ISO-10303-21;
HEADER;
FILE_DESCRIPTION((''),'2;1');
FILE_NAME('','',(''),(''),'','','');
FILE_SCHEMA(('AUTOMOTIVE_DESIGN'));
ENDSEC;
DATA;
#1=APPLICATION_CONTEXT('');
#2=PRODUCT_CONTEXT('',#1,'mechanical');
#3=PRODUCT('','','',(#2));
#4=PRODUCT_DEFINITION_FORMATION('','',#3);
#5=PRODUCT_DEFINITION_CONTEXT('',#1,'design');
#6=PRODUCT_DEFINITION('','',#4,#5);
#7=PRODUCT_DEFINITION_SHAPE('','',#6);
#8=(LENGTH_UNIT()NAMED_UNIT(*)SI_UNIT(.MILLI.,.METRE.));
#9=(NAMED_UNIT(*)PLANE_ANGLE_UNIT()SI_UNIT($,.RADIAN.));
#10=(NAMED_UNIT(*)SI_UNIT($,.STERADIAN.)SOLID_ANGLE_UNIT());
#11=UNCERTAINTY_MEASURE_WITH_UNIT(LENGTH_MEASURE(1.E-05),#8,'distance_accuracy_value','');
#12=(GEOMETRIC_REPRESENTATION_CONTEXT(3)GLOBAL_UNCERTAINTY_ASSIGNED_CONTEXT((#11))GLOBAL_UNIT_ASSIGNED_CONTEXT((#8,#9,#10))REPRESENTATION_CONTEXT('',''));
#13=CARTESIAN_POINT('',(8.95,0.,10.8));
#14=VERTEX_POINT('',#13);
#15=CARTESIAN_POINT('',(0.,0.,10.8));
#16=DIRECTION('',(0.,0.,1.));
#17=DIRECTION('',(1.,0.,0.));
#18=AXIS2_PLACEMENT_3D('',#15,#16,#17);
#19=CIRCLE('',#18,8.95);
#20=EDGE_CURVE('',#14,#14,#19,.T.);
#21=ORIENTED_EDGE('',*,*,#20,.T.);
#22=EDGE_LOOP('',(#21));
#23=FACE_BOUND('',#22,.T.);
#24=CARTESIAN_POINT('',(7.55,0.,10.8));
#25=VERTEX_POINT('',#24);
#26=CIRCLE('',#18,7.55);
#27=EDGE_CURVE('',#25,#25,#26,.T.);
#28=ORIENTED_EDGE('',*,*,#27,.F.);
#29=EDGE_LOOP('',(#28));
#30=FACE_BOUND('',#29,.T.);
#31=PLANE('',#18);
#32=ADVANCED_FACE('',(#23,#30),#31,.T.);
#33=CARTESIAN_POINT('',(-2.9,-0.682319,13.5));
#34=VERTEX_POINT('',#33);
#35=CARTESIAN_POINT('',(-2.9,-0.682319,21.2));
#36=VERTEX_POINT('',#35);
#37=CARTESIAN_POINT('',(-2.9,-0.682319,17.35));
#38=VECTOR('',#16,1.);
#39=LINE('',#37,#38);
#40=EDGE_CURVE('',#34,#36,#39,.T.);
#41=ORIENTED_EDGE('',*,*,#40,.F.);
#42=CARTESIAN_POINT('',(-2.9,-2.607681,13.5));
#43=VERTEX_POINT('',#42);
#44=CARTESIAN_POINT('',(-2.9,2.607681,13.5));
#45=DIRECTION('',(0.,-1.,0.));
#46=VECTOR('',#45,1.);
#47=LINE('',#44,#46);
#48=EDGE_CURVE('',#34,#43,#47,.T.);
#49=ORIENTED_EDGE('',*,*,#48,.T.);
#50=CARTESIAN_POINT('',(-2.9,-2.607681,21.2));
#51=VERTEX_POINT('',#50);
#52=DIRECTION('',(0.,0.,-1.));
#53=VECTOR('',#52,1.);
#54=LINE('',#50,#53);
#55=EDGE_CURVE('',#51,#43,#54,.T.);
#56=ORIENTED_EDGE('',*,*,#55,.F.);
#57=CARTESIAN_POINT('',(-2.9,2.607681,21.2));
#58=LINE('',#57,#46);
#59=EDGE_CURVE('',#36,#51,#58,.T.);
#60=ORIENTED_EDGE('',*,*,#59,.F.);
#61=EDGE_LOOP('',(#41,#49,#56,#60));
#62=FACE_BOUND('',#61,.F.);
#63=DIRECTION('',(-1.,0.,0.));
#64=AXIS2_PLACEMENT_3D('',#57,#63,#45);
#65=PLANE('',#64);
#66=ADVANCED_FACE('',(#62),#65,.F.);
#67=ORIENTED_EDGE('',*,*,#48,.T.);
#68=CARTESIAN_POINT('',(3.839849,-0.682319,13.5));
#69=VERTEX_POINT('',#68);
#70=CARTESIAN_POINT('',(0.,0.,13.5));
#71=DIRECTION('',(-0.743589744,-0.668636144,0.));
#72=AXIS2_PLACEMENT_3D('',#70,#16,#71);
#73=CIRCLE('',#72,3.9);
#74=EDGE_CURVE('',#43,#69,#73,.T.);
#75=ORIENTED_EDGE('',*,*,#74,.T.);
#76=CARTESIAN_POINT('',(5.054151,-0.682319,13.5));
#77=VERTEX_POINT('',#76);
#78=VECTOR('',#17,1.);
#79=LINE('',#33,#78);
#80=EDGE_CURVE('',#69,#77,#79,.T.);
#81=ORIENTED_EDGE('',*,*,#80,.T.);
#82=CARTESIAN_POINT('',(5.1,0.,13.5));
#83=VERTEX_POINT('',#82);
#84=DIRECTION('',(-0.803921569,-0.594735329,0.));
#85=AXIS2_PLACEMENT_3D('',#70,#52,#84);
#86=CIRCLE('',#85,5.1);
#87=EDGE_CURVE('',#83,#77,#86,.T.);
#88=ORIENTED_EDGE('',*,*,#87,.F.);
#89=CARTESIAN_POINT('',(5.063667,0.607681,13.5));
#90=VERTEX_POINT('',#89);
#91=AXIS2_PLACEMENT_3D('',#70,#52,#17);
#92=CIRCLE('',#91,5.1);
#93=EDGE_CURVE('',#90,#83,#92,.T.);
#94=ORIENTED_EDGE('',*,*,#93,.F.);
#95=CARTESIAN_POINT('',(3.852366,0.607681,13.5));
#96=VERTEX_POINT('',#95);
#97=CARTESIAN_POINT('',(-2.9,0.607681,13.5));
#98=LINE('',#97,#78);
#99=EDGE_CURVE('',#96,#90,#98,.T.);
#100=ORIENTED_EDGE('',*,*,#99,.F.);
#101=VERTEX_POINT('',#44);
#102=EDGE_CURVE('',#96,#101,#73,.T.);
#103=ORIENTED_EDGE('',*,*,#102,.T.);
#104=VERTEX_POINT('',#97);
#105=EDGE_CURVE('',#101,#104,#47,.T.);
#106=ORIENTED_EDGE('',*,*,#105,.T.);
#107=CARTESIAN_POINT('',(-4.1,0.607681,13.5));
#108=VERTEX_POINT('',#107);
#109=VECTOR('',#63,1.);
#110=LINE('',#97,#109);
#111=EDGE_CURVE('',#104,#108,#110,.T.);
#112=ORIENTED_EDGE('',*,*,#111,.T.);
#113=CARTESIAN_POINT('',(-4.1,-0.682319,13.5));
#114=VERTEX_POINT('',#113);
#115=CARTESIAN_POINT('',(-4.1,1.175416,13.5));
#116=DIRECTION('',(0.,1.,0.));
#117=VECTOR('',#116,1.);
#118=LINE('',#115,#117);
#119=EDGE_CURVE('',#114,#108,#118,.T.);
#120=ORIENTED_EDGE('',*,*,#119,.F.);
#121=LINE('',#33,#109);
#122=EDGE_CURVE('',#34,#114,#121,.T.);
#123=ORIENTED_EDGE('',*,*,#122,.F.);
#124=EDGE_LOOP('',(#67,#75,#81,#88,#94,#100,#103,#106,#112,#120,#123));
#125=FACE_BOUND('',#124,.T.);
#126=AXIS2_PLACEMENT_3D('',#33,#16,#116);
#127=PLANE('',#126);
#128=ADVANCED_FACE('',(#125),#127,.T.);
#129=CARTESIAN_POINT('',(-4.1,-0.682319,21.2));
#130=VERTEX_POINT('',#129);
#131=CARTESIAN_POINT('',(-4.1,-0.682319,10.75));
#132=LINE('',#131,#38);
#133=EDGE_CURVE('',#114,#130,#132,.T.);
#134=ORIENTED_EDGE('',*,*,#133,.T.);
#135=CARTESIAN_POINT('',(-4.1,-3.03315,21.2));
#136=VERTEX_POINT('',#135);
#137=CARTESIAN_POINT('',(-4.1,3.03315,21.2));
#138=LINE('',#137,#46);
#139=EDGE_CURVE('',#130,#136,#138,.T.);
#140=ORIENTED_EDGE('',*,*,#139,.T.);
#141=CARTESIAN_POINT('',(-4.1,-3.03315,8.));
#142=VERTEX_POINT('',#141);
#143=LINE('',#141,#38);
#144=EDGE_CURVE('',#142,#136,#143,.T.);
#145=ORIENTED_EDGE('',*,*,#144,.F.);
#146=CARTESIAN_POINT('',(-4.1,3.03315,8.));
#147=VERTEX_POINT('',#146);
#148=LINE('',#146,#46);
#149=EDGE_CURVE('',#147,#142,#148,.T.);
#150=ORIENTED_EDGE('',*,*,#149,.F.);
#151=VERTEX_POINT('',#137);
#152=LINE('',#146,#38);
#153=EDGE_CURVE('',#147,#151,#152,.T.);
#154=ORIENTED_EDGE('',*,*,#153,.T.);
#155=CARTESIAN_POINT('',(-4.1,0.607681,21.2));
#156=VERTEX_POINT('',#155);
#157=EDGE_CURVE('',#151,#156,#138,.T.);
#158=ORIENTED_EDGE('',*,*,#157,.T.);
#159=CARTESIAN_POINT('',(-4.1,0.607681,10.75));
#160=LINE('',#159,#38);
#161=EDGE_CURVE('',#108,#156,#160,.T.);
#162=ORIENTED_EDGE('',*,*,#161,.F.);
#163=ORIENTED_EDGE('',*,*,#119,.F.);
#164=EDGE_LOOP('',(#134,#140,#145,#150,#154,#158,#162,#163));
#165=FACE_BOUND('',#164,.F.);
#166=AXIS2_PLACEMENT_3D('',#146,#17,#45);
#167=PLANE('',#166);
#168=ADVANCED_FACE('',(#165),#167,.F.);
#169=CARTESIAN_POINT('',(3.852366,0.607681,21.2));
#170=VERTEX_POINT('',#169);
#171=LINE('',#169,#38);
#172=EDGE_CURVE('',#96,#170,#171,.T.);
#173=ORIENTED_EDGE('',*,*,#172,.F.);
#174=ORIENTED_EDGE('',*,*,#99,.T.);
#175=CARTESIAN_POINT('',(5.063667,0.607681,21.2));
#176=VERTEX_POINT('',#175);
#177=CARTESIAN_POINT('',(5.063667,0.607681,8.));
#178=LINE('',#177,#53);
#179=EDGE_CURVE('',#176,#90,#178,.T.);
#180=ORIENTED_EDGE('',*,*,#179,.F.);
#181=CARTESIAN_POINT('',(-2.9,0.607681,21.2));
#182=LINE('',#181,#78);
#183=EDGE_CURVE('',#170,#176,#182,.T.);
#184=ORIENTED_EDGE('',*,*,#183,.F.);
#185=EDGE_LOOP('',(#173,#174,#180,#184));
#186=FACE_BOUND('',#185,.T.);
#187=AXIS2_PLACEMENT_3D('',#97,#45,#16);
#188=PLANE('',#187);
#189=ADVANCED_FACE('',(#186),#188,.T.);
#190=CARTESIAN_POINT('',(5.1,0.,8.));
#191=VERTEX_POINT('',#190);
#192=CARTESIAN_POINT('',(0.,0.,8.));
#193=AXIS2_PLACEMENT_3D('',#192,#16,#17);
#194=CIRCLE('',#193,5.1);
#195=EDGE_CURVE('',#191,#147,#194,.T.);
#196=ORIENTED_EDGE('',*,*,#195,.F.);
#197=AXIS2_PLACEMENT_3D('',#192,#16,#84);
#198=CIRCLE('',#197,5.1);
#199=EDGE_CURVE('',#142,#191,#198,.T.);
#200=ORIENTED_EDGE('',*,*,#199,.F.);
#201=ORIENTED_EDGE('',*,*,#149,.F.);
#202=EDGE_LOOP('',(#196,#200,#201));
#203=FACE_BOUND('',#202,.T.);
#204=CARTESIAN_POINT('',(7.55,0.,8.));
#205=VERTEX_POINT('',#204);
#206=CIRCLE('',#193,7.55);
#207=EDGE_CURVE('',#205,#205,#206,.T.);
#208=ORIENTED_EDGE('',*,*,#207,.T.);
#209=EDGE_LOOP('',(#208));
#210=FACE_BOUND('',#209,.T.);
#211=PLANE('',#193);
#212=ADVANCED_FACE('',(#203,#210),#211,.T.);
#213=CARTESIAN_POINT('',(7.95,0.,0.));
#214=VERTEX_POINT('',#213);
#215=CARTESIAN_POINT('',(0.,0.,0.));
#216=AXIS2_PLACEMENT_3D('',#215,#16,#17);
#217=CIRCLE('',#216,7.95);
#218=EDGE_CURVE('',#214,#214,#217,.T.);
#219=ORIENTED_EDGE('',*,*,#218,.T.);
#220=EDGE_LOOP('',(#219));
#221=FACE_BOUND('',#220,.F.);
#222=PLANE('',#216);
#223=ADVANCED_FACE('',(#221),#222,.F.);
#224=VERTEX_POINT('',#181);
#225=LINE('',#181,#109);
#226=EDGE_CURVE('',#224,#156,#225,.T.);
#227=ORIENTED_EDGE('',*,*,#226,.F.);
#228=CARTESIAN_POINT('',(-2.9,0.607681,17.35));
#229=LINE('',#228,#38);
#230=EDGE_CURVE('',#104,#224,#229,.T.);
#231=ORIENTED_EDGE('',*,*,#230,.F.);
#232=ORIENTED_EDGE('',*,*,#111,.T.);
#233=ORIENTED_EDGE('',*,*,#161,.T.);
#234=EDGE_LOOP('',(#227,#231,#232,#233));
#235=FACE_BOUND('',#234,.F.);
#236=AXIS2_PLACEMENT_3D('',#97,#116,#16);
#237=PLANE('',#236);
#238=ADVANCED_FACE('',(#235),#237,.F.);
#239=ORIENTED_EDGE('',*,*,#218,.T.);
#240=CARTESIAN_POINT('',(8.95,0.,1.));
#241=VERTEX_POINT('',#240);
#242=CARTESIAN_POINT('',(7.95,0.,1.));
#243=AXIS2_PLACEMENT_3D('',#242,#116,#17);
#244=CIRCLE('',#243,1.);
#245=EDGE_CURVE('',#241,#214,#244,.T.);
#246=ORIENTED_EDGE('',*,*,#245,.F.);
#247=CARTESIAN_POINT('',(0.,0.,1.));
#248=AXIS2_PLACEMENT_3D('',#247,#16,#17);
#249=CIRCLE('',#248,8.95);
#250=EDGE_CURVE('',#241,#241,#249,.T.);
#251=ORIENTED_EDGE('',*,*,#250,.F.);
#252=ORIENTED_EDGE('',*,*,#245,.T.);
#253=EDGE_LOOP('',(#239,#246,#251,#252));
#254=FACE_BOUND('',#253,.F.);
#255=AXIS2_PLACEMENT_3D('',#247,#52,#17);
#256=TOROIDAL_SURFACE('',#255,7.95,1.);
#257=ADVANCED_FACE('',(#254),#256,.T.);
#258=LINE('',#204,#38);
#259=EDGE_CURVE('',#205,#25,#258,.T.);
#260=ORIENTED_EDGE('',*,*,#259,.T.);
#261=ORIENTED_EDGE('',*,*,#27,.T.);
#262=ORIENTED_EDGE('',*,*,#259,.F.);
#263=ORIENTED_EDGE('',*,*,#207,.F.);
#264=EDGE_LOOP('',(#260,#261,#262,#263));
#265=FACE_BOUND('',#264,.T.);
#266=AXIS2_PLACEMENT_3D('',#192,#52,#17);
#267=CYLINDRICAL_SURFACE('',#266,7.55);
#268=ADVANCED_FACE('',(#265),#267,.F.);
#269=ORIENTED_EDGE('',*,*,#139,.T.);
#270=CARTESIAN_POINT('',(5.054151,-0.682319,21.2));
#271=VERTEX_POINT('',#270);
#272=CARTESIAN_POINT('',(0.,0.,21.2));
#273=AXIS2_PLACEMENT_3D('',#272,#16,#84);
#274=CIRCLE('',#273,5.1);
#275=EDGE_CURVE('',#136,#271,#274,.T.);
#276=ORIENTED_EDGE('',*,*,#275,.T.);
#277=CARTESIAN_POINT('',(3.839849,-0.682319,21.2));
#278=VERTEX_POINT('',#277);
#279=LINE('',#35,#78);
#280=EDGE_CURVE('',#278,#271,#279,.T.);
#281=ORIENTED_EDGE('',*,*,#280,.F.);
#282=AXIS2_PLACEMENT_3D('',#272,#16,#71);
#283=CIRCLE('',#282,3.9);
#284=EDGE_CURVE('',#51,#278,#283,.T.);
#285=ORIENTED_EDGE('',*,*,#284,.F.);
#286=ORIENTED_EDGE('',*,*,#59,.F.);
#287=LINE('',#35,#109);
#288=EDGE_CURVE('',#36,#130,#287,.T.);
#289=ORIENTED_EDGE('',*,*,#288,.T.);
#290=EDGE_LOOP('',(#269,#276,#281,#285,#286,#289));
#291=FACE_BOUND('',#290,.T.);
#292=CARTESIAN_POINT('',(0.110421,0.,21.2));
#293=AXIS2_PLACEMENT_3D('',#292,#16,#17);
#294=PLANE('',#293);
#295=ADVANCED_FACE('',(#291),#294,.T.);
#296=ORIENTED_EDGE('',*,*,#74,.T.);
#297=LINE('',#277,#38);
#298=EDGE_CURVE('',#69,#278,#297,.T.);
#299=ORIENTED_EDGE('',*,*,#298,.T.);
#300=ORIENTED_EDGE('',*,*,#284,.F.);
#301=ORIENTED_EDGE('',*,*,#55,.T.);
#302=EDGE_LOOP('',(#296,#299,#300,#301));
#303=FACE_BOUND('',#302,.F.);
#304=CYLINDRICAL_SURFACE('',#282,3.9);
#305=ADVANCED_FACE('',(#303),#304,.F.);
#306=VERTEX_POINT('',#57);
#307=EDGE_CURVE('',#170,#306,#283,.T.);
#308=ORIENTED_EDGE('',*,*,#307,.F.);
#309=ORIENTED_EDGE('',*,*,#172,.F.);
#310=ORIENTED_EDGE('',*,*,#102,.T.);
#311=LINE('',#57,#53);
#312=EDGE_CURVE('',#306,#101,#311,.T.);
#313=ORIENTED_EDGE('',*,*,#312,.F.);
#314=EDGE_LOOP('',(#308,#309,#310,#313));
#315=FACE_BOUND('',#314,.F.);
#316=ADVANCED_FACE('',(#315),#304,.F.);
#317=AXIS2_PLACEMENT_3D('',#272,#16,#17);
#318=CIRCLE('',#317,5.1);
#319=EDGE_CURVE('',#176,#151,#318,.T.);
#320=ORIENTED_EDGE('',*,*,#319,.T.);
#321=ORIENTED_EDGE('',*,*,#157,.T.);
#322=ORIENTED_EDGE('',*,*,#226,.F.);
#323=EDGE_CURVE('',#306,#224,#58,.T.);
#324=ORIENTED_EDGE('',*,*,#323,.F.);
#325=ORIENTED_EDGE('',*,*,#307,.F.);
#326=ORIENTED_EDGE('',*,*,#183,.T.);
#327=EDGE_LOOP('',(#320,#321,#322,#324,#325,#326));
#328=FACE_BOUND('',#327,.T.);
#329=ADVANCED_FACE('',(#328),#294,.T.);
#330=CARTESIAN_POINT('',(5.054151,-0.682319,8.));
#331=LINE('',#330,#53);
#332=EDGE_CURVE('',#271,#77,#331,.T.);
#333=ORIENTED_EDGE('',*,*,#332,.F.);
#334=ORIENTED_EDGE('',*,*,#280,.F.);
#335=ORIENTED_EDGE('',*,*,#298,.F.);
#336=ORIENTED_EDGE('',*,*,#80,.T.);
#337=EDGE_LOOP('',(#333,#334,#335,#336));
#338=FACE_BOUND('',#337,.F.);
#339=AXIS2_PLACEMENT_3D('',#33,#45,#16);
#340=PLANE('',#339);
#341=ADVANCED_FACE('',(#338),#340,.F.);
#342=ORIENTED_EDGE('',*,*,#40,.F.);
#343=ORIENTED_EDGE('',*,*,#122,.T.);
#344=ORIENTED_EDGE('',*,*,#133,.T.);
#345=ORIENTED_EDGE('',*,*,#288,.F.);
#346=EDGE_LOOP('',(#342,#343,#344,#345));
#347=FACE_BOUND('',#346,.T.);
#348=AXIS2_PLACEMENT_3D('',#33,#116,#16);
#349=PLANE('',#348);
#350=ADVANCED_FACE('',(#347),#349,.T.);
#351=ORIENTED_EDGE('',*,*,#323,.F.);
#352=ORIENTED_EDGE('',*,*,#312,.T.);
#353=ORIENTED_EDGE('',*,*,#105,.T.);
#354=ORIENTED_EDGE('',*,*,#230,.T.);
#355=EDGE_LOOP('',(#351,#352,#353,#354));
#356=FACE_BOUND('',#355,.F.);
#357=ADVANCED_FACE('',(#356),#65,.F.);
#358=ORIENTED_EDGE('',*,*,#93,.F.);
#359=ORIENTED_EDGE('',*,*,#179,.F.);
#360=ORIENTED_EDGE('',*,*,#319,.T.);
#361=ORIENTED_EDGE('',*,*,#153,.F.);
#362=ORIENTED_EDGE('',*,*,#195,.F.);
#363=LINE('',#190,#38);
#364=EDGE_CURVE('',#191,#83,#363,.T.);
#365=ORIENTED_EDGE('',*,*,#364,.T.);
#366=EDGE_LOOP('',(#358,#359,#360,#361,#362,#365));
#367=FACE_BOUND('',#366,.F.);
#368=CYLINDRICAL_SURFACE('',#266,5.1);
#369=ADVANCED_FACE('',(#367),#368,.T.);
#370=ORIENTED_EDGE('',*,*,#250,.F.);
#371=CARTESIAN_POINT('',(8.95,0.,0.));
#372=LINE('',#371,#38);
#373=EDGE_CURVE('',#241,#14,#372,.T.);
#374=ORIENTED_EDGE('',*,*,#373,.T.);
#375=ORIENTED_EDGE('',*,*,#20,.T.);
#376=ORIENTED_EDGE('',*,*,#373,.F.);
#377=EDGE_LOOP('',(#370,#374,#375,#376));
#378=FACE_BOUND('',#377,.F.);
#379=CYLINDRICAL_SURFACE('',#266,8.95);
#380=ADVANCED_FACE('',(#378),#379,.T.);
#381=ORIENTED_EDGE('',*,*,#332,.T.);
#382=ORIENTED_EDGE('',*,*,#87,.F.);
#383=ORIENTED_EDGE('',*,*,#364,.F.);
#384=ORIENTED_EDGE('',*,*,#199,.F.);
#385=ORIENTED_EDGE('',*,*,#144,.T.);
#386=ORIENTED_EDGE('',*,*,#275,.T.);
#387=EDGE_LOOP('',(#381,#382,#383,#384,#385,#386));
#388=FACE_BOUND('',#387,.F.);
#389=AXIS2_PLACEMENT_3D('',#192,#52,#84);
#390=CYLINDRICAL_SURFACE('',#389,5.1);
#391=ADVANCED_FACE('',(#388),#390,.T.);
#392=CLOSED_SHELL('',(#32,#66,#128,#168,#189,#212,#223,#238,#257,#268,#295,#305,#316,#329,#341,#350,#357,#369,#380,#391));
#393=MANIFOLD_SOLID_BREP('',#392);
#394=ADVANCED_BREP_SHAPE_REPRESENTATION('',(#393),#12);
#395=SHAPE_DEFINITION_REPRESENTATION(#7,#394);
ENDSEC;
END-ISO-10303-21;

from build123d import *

# Parameters (mm, degrees)
F0_R           = 8.95
F1_DEPTH       = 8
F2_R           = 8.95
F2_R_2         = 7.55
F3_DEPTH       = 2.8
F5_DEPTH       = 13.2
F6_R           = 1
F8_DEPTH       = 7.7
F9_W           = 1.29
F9_H           = 7.7
F10_DEPTH      = 1.5
F10_DEPTH_BACK = 8


with BuildPart() as f1:
    # F0 (on Top) → F1 (new body)
    with BuildSketch(Plane.XY):
        Circle(F0_R)
    extrude(amount=F1_DEPTH)

    # F2 (on face) → F3 (join)
    with BuildSketch(Plane.XY.offset(8)):
        Circle(F2_R)
        Circle(F2_R_2, mode=Mode.SUBTRACT)
    extrude(amount=F3_DEPTH)

    # F4 (on face) → F5 (join)
    with BuildSketch(Plane.XY.offset(8)):
        with BuildLine():
            ThreePointArc((-4.1, -3.0331501776), (1.5968719423, -4.8435524153), (5.1, 0))
            ThreePointArc((5.1, 0), (1.5968719423, 4.8435524153), (-4.1, 3.0331501776))
            Line((-4.1, 3.0331501776), (-4.1, -3.0331501776))
        make_face()
    extrude(amount=F5_DEPTH)

    # F6
    f6_edges = [f1.edges().sort_by_distance(p)[0] for p in [
        (-8.95, 0, 0),
    ]]
    fillet(f6_edges, radius=F6_R)

    # F7 (on face) → F8 (cut)
    with BuildSketch(Plane.XY.offset(21.2)):
        with BuildLine():
            Line((-2.9, 2.6076809621), (-2.9, -2.6076809621))
            ThreePointArc((-2.9, -2.6076809621), (3.9, 0), (-2.9, 2.6076809621))
        make_face()
    extrude(amount=-F8_DEPTH, mode=Mode.SUBTRACT)

    # F9 (on face) → F10 (cut, two sides)
    with BuildSketch(Plane.YZ.offset(-2.9)) as f10_sk:
        with Locations((-0.0373190379, 17.35)):
            Rectangle(F9_W, F9_H)
    extrude(amount=-F10_DEPTH, mode=Mode.SUBTRACT)
    extrude(f10_sk.sketch, amount=F10_DEPTH_BACK, mode=Mode.SUBTRACT)


solid = f1.part
